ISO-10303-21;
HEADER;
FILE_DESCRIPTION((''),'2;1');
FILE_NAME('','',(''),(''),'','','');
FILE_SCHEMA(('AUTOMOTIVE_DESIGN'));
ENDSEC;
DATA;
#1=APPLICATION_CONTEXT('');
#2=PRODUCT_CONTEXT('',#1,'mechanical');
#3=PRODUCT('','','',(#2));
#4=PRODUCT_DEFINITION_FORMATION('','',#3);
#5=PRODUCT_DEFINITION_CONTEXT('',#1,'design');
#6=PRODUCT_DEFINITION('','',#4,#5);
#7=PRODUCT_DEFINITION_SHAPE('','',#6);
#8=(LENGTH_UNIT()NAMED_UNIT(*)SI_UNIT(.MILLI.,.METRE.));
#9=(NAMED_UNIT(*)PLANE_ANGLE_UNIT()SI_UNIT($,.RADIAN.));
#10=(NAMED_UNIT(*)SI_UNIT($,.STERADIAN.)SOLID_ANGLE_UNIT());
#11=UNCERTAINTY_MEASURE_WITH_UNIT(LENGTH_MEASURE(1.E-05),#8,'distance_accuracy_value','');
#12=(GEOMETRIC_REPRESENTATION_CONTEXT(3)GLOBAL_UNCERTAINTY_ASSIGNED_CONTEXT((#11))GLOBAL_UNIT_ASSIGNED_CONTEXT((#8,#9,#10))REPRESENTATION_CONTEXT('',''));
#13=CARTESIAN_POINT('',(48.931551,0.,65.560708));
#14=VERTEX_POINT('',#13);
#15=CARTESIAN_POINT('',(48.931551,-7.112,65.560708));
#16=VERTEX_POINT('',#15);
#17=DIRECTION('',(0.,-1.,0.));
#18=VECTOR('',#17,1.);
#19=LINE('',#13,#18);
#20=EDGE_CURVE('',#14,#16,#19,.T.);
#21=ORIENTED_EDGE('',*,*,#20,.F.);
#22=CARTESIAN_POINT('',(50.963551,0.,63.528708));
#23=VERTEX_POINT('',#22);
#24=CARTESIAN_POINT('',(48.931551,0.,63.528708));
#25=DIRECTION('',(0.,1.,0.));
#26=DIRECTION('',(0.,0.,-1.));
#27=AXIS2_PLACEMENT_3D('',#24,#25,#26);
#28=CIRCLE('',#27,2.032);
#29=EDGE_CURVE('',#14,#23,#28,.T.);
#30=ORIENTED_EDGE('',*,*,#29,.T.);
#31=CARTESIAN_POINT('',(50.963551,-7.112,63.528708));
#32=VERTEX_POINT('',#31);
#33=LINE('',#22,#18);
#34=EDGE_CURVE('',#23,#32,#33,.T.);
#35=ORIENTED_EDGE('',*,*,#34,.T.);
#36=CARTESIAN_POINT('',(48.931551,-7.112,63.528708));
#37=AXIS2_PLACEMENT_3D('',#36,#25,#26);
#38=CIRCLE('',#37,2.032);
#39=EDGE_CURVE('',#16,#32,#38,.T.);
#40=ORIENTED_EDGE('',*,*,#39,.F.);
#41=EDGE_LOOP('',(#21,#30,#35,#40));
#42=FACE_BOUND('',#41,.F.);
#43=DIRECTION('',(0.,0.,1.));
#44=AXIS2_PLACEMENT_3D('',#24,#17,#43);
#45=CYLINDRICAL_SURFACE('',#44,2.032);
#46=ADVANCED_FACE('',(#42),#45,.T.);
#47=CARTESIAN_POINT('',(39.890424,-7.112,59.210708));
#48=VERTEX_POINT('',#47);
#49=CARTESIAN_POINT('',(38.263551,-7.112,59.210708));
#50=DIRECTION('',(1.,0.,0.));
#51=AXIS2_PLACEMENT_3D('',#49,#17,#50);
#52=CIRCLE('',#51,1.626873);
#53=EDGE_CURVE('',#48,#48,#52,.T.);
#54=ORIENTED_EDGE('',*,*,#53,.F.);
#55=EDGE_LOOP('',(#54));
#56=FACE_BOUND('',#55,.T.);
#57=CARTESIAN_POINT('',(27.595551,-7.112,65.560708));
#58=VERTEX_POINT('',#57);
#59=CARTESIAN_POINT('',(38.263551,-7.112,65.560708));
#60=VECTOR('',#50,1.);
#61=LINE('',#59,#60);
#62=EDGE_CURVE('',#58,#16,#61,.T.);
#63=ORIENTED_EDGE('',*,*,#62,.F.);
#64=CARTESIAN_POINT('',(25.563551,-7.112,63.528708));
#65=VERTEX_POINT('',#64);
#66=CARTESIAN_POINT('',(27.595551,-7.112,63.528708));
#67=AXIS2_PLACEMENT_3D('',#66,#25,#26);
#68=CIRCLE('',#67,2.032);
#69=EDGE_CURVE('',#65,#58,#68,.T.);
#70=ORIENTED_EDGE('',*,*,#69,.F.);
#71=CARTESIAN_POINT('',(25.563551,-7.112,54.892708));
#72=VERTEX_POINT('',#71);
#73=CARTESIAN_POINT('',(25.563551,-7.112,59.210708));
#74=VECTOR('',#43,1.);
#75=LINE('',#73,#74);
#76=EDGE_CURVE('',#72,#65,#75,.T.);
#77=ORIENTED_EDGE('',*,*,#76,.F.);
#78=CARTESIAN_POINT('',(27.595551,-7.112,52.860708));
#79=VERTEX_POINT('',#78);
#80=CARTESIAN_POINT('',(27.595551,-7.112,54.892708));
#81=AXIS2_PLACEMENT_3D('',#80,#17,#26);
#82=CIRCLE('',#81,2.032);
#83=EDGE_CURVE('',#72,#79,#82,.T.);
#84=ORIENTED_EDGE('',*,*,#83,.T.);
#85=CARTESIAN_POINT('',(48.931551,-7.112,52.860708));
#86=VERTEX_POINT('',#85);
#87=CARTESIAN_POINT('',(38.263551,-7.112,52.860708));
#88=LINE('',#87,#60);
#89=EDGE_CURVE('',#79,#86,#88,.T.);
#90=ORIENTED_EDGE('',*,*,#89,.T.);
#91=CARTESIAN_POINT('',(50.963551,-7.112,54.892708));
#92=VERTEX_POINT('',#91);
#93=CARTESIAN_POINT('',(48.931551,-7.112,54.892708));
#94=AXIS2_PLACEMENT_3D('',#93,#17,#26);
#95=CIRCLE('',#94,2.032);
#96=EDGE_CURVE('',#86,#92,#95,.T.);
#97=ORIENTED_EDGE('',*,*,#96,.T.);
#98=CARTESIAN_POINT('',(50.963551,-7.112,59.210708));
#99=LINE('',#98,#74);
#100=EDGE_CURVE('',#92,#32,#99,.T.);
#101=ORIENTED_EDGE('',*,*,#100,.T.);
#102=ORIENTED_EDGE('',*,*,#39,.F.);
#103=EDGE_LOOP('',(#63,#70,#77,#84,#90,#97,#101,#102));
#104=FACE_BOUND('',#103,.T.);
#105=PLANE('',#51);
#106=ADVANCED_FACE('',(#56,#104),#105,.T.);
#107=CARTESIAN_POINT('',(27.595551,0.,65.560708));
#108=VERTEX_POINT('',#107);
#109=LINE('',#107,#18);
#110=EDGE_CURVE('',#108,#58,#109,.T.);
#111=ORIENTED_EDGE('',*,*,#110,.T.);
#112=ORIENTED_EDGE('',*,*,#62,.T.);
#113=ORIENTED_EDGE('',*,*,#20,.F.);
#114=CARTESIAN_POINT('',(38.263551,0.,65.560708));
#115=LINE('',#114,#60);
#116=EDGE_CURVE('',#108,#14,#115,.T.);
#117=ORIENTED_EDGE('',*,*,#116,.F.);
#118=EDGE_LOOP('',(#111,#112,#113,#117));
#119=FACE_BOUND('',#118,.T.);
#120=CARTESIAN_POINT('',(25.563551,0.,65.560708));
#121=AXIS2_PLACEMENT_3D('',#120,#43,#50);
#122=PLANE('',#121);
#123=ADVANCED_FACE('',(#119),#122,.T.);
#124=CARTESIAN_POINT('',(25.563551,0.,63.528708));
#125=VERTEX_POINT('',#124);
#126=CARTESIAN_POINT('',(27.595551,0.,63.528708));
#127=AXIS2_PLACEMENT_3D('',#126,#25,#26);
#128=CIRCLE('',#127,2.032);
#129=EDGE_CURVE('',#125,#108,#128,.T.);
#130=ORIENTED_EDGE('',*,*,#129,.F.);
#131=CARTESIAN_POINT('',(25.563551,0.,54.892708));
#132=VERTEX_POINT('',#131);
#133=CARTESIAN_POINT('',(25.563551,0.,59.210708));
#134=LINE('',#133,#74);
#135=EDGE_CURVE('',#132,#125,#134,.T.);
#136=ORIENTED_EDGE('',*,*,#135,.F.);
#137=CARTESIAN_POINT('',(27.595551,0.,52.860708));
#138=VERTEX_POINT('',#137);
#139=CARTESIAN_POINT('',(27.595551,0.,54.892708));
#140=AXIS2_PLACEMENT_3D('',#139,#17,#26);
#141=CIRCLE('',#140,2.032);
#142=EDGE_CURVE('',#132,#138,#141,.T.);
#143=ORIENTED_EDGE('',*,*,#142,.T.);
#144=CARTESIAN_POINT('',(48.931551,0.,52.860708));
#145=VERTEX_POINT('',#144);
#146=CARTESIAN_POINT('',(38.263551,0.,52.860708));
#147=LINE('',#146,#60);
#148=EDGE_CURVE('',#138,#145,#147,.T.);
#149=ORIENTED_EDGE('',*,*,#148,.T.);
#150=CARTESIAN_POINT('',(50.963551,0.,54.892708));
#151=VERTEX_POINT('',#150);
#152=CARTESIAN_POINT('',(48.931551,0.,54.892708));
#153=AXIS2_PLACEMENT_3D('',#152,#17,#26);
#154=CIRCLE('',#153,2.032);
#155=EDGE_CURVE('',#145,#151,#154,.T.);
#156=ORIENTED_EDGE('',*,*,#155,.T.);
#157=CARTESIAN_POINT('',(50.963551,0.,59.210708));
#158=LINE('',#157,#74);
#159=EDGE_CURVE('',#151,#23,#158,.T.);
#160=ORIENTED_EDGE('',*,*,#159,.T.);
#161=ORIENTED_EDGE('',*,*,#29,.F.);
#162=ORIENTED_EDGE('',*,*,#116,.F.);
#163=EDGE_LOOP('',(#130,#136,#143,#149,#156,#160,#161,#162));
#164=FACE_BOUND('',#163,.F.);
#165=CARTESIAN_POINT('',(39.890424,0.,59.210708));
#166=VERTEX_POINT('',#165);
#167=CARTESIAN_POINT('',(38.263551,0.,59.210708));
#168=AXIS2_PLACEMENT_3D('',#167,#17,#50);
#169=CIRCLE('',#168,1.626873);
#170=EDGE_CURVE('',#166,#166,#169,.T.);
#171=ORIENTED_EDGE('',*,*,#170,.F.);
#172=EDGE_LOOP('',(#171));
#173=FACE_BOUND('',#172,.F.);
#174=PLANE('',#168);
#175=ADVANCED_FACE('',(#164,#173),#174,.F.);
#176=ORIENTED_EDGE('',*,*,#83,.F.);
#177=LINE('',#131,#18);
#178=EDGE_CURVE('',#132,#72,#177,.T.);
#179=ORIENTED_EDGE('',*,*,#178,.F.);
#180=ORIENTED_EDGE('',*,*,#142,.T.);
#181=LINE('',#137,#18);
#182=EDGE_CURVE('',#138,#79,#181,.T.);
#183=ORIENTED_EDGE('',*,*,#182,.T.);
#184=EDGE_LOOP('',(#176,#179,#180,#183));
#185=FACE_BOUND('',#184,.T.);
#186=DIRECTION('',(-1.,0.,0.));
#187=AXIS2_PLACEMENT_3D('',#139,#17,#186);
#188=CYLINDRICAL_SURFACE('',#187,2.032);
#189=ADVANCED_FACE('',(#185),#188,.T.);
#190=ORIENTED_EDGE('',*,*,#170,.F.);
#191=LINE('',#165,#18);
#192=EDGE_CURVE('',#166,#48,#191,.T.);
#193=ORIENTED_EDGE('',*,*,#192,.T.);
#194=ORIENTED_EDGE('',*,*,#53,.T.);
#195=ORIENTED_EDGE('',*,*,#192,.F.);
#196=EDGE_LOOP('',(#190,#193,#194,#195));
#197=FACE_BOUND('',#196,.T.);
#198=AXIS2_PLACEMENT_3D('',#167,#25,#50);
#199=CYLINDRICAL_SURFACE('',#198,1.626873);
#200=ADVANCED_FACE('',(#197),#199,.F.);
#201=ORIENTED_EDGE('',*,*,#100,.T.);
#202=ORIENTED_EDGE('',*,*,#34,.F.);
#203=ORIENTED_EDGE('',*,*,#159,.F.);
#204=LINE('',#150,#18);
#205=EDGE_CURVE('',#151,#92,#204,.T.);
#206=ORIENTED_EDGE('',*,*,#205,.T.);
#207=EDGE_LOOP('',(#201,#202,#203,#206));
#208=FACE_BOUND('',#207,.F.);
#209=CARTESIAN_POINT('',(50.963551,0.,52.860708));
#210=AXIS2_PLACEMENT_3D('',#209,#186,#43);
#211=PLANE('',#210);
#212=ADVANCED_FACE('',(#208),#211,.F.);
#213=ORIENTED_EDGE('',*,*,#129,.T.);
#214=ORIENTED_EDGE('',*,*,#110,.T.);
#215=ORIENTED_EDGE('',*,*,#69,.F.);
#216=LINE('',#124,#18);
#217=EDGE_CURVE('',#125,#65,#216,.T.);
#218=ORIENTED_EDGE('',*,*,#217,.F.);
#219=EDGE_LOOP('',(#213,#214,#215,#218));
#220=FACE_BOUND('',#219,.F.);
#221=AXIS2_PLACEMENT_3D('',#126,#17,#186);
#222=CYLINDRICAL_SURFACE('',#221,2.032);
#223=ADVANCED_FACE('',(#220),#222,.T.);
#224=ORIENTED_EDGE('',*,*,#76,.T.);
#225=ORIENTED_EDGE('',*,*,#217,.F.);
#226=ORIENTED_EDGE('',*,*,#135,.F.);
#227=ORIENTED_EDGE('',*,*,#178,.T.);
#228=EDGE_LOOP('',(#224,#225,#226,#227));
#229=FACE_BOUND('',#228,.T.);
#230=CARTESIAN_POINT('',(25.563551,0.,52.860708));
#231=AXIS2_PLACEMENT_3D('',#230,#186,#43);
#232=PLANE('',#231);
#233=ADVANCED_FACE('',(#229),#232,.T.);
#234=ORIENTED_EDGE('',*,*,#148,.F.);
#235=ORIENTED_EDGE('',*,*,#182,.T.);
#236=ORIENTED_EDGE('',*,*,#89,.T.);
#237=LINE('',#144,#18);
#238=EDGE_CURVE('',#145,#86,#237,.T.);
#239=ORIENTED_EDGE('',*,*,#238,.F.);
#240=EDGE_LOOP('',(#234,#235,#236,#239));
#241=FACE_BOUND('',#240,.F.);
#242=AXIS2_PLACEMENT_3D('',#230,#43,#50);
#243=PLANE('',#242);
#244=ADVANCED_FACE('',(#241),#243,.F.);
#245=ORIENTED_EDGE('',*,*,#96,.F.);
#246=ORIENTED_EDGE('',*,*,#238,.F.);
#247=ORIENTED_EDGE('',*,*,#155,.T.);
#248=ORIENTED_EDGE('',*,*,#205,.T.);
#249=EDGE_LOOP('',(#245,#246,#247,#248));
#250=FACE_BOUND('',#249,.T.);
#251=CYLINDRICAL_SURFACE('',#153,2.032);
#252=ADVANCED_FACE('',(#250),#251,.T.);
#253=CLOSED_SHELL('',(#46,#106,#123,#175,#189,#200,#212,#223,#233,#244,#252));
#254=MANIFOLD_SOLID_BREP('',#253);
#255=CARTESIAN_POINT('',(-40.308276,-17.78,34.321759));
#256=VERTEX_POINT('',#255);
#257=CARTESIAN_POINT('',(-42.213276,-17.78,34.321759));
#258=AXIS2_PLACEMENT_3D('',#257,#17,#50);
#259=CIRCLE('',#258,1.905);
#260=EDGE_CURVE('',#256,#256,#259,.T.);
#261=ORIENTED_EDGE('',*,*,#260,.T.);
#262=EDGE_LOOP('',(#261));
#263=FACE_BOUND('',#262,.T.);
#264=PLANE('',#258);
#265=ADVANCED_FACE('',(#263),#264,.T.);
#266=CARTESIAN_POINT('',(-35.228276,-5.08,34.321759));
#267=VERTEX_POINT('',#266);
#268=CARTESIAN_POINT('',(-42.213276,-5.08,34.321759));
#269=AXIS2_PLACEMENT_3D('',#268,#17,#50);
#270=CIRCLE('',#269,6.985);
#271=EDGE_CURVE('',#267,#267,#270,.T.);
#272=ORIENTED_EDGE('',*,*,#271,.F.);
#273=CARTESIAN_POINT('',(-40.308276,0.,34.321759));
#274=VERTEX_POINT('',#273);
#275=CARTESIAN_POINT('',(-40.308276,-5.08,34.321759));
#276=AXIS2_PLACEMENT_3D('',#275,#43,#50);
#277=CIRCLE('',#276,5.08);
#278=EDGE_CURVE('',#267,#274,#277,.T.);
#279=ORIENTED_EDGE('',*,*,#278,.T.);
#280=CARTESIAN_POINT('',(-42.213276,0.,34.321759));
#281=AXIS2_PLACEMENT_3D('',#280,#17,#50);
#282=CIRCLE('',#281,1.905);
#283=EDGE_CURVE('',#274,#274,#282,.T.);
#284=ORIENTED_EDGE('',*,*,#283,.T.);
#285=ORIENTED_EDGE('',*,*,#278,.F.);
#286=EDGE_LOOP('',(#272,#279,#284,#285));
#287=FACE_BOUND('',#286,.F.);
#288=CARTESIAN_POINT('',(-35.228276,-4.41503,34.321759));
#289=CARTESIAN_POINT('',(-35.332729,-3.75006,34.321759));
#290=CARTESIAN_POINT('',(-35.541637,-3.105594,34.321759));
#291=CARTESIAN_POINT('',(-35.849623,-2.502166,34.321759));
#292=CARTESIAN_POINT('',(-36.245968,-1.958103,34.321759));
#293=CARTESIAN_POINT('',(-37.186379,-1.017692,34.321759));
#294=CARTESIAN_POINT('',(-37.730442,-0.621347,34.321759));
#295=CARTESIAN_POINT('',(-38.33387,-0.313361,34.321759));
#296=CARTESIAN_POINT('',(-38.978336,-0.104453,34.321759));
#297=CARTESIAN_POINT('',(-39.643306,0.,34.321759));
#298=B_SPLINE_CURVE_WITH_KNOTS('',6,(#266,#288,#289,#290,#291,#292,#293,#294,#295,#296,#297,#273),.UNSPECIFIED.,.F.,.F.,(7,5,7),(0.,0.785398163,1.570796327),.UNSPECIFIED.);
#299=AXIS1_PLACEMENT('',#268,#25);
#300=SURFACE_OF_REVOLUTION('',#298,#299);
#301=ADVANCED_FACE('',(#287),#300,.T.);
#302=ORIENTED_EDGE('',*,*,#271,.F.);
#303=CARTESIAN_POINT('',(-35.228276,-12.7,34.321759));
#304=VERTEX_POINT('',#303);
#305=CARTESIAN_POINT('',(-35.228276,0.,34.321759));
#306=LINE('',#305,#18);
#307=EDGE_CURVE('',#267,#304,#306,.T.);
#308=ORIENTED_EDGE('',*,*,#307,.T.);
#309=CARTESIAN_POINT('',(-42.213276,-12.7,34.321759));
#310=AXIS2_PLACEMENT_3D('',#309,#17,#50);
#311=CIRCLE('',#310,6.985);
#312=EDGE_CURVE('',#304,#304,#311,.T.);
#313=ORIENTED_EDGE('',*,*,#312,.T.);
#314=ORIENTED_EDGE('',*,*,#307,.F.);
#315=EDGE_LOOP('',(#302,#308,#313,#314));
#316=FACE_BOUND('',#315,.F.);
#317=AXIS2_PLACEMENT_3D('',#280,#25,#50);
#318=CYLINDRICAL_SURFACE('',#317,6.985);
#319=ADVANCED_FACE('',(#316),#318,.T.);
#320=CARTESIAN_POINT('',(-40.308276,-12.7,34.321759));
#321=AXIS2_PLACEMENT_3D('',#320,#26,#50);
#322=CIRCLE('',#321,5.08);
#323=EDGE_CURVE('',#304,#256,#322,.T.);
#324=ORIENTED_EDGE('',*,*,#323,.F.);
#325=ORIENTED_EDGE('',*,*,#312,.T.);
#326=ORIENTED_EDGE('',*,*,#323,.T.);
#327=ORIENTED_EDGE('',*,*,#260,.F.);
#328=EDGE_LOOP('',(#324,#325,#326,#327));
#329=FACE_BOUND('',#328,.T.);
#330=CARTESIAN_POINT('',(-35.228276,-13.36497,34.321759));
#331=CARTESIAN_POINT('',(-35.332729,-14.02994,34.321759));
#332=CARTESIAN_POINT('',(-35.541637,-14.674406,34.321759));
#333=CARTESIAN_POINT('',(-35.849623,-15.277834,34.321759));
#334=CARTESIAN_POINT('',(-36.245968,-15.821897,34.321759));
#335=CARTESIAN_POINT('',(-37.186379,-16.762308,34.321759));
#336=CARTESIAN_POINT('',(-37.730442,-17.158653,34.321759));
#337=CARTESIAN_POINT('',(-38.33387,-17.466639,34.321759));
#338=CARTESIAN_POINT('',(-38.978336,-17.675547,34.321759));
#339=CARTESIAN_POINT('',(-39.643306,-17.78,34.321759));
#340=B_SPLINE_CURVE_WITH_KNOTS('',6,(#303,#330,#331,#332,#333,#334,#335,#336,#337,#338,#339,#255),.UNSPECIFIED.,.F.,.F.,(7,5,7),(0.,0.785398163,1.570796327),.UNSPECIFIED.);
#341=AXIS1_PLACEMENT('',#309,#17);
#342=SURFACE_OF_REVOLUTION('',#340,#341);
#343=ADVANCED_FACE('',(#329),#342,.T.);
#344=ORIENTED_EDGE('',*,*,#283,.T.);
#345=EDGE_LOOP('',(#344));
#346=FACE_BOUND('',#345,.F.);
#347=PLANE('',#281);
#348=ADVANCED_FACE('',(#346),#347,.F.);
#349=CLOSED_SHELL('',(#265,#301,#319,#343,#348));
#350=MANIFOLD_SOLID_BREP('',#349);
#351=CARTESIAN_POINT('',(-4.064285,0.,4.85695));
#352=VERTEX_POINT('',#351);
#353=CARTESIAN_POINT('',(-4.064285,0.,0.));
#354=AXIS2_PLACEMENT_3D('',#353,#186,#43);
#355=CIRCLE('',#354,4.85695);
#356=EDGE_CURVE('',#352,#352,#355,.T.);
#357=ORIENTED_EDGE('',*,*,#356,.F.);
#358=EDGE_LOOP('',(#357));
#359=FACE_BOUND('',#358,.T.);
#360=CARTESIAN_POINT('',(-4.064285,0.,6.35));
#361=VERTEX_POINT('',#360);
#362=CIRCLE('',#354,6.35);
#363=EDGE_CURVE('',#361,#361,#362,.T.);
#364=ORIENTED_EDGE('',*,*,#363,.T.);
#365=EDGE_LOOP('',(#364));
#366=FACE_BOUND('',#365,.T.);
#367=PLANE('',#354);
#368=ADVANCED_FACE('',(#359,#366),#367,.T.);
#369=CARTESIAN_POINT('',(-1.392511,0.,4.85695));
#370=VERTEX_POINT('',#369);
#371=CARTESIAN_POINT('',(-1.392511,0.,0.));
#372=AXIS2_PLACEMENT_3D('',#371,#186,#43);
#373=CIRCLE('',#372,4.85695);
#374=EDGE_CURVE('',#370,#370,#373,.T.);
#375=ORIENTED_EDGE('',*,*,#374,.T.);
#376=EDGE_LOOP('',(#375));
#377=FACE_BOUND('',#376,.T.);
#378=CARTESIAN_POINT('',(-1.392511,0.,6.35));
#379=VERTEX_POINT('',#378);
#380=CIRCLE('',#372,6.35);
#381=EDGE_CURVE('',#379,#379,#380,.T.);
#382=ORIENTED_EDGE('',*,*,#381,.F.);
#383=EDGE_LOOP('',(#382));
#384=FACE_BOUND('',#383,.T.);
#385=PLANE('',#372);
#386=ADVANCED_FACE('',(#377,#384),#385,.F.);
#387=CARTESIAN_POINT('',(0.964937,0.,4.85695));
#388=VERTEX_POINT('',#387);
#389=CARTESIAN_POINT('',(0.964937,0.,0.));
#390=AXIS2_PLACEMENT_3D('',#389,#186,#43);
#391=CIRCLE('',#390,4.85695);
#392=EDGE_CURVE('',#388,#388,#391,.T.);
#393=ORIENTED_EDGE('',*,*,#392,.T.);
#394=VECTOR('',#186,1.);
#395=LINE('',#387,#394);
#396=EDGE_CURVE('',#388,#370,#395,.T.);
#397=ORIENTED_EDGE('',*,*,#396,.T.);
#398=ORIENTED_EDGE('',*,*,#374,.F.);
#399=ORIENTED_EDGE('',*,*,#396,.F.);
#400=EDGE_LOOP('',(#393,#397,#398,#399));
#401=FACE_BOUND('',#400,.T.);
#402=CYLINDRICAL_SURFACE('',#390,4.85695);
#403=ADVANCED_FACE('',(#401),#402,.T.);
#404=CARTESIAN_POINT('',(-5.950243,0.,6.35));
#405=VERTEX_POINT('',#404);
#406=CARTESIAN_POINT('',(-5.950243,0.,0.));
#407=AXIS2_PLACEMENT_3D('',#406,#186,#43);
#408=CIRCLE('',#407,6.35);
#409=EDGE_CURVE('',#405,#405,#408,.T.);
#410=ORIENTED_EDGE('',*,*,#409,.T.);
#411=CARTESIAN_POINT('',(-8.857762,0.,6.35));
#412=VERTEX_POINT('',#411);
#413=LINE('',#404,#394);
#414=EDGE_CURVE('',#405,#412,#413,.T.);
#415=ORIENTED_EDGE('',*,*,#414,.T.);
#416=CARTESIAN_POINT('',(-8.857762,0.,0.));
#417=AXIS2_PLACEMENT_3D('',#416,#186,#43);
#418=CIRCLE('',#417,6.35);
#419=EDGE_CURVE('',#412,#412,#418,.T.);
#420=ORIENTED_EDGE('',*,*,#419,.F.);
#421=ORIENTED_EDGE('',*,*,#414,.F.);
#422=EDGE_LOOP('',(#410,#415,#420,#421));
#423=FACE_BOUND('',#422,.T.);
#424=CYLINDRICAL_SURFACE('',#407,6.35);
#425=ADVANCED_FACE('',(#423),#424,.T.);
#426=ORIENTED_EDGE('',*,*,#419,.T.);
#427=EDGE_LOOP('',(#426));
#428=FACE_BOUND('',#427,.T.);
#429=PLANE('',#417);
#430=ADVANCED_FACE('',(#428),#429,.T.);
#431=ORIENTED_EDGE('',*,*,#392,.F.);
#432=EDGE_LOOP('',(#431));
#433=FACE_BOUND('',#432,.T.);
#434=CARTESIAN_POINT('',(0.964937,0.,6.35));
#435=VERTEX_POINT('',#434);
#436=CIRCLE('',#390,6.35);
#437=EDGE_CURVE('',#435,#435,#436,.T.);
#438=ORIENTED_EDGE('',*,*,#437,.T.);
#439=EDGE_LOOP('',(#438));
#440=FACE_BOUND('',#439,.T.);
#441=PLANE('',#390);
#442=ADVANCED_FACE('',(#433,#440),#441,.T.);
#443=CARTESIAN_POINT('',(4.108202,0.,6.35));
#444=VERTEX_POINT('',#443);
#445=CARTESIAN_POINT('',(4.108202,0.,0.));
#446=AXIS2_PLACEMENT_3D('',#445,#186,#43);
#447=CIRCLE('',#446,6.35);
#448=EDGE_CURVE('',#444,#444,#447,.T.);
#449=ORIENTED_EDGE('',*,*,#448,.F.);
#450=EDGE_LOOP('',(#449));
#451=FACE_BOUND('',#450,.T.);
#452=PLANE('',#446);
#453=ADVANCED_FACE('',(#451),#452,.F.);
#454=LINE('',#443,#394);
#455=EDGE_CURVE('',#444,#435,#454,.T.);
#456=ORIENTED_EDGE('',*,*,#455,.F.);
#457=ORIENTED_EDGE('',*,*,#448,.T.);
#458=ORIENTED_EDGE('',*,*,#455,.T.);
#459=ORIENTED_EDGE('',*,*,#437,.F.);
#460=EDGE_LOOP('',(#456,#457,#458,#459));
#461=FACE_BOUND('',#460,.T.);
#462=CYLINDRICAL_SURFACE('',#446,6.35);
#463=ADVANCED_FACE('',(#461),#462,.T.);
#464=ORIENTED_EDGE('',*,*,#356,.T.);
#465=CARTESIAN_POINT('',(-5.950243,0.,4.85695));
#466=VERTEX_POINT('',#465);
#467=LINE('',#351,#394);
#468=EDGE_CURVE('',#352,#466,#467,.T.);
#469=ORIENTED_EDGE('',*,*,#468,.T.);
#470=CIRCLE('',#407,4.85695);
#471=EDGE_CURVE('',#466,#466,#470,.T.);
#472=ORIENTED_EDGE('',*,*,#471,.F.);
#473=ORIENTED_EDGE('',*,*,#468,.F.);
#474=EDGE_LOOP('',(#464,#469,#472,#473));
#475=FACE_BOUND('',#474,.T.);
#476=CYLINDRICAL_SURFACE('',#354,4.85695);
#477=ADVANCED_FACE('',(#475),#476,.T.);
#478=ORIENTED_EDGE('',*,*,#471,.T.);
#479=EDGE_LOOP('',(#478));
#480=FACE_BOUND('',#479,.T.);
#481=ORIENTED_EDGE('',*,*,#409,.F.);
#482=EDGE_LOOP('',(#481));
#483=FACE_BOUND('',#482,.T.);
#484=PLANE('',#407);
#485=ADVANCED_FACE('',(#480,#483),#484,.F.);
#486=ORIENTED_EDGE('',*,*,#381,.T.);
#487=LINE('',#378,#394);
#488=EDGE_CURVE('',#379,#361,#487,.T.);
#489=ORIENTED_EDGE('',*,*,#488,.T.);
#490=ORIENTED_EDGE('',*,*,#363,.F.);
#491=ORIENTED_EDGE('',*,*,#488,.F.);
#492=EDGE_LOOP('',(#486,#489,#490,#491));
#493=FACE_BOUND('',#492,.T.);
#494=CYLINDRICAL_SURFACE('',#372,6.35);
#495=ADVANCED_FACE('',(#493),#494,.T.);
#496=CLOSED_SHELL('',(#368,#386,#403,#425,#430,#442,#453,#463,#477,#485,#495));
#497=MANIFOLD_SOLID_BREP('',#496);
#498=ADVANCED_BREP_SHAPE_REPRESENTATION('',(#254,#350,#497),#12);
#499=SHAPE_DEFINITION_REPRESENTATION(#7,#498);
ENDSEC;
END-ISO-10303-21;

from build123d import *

# Parameters (mm, degrees)
F2_R     = 6.985
F3_DEPTH = 17.78
F4_R     = 5.08
F5_W     = 25.4
F5_H     = 12.7
F5_R     = 1.626873
F6_DEPTH = 7.112
F7_R     = 2.032


with BuildPart() as f1:
    # F0 (on Front) → F1 (revolve)
    with BuildSketch(Plane.XZ):
        Polygon((-8.857762, 6.35), (-8.857762, 0), (4.108202, 0), (4.108202, 6.35), (0.964937, 6.35), (0.964937, 4.85695), (-1.392511, 4.85695), (-1.392511, 6.35), (-4.064285, 6.35), (-4.064285, 4.85695), (-5.950243, 4.85695), (-5.950243, 6.35), align=None)
    revolve(axis=Axis((-2.37478, 0, 0), (-1, 0, 0)))


with BuildPart() as f3:
    # F2 (on Front) → F3 (new body)
    with BuildSketch(Plane.XZ):
        with Locations((-42.213276, 34.321759)):
            Circle(F2_R)
    extrude(amount=F3_DEPTH)

    # F4
    f4_edges = [f3.edges().sort_by_distance(p)[0] for p in [
        (-49.198276, -17.78, 34.321759),
        (-49.198276, 0, 34.321759),
    ]]
    fillet(f4_edges, radius=F4_R)


with BuildPart() as f6:
    # F5 (on Front) → F6 (new body)
    with BuildSketch(Plane.XZ):
        with Locations((38.263551, 59.210708)):
            Rectangle(F5_W, F5_H)
        with Locations((38.263551, 59.210708)):
            Circle(F5_R, mode=Mode.SUBTRACT)
    extrude(amount=F6_DEPTH)

    # F7
    f7_edges = [f6.edges().sort_by_distance(p)[0] for p in [
        (50.963551, -3.556, 65.560708),
        (25.563551, -3.556, 65.560708),
        (25.563551, -3.556, 52.860708),
        (50.963551, -3.556, 52.860708),
    ]]
    fillet(f7_edges, radius=F7_R)


solid = Compound([f1.part, f3.part, f6.part])
